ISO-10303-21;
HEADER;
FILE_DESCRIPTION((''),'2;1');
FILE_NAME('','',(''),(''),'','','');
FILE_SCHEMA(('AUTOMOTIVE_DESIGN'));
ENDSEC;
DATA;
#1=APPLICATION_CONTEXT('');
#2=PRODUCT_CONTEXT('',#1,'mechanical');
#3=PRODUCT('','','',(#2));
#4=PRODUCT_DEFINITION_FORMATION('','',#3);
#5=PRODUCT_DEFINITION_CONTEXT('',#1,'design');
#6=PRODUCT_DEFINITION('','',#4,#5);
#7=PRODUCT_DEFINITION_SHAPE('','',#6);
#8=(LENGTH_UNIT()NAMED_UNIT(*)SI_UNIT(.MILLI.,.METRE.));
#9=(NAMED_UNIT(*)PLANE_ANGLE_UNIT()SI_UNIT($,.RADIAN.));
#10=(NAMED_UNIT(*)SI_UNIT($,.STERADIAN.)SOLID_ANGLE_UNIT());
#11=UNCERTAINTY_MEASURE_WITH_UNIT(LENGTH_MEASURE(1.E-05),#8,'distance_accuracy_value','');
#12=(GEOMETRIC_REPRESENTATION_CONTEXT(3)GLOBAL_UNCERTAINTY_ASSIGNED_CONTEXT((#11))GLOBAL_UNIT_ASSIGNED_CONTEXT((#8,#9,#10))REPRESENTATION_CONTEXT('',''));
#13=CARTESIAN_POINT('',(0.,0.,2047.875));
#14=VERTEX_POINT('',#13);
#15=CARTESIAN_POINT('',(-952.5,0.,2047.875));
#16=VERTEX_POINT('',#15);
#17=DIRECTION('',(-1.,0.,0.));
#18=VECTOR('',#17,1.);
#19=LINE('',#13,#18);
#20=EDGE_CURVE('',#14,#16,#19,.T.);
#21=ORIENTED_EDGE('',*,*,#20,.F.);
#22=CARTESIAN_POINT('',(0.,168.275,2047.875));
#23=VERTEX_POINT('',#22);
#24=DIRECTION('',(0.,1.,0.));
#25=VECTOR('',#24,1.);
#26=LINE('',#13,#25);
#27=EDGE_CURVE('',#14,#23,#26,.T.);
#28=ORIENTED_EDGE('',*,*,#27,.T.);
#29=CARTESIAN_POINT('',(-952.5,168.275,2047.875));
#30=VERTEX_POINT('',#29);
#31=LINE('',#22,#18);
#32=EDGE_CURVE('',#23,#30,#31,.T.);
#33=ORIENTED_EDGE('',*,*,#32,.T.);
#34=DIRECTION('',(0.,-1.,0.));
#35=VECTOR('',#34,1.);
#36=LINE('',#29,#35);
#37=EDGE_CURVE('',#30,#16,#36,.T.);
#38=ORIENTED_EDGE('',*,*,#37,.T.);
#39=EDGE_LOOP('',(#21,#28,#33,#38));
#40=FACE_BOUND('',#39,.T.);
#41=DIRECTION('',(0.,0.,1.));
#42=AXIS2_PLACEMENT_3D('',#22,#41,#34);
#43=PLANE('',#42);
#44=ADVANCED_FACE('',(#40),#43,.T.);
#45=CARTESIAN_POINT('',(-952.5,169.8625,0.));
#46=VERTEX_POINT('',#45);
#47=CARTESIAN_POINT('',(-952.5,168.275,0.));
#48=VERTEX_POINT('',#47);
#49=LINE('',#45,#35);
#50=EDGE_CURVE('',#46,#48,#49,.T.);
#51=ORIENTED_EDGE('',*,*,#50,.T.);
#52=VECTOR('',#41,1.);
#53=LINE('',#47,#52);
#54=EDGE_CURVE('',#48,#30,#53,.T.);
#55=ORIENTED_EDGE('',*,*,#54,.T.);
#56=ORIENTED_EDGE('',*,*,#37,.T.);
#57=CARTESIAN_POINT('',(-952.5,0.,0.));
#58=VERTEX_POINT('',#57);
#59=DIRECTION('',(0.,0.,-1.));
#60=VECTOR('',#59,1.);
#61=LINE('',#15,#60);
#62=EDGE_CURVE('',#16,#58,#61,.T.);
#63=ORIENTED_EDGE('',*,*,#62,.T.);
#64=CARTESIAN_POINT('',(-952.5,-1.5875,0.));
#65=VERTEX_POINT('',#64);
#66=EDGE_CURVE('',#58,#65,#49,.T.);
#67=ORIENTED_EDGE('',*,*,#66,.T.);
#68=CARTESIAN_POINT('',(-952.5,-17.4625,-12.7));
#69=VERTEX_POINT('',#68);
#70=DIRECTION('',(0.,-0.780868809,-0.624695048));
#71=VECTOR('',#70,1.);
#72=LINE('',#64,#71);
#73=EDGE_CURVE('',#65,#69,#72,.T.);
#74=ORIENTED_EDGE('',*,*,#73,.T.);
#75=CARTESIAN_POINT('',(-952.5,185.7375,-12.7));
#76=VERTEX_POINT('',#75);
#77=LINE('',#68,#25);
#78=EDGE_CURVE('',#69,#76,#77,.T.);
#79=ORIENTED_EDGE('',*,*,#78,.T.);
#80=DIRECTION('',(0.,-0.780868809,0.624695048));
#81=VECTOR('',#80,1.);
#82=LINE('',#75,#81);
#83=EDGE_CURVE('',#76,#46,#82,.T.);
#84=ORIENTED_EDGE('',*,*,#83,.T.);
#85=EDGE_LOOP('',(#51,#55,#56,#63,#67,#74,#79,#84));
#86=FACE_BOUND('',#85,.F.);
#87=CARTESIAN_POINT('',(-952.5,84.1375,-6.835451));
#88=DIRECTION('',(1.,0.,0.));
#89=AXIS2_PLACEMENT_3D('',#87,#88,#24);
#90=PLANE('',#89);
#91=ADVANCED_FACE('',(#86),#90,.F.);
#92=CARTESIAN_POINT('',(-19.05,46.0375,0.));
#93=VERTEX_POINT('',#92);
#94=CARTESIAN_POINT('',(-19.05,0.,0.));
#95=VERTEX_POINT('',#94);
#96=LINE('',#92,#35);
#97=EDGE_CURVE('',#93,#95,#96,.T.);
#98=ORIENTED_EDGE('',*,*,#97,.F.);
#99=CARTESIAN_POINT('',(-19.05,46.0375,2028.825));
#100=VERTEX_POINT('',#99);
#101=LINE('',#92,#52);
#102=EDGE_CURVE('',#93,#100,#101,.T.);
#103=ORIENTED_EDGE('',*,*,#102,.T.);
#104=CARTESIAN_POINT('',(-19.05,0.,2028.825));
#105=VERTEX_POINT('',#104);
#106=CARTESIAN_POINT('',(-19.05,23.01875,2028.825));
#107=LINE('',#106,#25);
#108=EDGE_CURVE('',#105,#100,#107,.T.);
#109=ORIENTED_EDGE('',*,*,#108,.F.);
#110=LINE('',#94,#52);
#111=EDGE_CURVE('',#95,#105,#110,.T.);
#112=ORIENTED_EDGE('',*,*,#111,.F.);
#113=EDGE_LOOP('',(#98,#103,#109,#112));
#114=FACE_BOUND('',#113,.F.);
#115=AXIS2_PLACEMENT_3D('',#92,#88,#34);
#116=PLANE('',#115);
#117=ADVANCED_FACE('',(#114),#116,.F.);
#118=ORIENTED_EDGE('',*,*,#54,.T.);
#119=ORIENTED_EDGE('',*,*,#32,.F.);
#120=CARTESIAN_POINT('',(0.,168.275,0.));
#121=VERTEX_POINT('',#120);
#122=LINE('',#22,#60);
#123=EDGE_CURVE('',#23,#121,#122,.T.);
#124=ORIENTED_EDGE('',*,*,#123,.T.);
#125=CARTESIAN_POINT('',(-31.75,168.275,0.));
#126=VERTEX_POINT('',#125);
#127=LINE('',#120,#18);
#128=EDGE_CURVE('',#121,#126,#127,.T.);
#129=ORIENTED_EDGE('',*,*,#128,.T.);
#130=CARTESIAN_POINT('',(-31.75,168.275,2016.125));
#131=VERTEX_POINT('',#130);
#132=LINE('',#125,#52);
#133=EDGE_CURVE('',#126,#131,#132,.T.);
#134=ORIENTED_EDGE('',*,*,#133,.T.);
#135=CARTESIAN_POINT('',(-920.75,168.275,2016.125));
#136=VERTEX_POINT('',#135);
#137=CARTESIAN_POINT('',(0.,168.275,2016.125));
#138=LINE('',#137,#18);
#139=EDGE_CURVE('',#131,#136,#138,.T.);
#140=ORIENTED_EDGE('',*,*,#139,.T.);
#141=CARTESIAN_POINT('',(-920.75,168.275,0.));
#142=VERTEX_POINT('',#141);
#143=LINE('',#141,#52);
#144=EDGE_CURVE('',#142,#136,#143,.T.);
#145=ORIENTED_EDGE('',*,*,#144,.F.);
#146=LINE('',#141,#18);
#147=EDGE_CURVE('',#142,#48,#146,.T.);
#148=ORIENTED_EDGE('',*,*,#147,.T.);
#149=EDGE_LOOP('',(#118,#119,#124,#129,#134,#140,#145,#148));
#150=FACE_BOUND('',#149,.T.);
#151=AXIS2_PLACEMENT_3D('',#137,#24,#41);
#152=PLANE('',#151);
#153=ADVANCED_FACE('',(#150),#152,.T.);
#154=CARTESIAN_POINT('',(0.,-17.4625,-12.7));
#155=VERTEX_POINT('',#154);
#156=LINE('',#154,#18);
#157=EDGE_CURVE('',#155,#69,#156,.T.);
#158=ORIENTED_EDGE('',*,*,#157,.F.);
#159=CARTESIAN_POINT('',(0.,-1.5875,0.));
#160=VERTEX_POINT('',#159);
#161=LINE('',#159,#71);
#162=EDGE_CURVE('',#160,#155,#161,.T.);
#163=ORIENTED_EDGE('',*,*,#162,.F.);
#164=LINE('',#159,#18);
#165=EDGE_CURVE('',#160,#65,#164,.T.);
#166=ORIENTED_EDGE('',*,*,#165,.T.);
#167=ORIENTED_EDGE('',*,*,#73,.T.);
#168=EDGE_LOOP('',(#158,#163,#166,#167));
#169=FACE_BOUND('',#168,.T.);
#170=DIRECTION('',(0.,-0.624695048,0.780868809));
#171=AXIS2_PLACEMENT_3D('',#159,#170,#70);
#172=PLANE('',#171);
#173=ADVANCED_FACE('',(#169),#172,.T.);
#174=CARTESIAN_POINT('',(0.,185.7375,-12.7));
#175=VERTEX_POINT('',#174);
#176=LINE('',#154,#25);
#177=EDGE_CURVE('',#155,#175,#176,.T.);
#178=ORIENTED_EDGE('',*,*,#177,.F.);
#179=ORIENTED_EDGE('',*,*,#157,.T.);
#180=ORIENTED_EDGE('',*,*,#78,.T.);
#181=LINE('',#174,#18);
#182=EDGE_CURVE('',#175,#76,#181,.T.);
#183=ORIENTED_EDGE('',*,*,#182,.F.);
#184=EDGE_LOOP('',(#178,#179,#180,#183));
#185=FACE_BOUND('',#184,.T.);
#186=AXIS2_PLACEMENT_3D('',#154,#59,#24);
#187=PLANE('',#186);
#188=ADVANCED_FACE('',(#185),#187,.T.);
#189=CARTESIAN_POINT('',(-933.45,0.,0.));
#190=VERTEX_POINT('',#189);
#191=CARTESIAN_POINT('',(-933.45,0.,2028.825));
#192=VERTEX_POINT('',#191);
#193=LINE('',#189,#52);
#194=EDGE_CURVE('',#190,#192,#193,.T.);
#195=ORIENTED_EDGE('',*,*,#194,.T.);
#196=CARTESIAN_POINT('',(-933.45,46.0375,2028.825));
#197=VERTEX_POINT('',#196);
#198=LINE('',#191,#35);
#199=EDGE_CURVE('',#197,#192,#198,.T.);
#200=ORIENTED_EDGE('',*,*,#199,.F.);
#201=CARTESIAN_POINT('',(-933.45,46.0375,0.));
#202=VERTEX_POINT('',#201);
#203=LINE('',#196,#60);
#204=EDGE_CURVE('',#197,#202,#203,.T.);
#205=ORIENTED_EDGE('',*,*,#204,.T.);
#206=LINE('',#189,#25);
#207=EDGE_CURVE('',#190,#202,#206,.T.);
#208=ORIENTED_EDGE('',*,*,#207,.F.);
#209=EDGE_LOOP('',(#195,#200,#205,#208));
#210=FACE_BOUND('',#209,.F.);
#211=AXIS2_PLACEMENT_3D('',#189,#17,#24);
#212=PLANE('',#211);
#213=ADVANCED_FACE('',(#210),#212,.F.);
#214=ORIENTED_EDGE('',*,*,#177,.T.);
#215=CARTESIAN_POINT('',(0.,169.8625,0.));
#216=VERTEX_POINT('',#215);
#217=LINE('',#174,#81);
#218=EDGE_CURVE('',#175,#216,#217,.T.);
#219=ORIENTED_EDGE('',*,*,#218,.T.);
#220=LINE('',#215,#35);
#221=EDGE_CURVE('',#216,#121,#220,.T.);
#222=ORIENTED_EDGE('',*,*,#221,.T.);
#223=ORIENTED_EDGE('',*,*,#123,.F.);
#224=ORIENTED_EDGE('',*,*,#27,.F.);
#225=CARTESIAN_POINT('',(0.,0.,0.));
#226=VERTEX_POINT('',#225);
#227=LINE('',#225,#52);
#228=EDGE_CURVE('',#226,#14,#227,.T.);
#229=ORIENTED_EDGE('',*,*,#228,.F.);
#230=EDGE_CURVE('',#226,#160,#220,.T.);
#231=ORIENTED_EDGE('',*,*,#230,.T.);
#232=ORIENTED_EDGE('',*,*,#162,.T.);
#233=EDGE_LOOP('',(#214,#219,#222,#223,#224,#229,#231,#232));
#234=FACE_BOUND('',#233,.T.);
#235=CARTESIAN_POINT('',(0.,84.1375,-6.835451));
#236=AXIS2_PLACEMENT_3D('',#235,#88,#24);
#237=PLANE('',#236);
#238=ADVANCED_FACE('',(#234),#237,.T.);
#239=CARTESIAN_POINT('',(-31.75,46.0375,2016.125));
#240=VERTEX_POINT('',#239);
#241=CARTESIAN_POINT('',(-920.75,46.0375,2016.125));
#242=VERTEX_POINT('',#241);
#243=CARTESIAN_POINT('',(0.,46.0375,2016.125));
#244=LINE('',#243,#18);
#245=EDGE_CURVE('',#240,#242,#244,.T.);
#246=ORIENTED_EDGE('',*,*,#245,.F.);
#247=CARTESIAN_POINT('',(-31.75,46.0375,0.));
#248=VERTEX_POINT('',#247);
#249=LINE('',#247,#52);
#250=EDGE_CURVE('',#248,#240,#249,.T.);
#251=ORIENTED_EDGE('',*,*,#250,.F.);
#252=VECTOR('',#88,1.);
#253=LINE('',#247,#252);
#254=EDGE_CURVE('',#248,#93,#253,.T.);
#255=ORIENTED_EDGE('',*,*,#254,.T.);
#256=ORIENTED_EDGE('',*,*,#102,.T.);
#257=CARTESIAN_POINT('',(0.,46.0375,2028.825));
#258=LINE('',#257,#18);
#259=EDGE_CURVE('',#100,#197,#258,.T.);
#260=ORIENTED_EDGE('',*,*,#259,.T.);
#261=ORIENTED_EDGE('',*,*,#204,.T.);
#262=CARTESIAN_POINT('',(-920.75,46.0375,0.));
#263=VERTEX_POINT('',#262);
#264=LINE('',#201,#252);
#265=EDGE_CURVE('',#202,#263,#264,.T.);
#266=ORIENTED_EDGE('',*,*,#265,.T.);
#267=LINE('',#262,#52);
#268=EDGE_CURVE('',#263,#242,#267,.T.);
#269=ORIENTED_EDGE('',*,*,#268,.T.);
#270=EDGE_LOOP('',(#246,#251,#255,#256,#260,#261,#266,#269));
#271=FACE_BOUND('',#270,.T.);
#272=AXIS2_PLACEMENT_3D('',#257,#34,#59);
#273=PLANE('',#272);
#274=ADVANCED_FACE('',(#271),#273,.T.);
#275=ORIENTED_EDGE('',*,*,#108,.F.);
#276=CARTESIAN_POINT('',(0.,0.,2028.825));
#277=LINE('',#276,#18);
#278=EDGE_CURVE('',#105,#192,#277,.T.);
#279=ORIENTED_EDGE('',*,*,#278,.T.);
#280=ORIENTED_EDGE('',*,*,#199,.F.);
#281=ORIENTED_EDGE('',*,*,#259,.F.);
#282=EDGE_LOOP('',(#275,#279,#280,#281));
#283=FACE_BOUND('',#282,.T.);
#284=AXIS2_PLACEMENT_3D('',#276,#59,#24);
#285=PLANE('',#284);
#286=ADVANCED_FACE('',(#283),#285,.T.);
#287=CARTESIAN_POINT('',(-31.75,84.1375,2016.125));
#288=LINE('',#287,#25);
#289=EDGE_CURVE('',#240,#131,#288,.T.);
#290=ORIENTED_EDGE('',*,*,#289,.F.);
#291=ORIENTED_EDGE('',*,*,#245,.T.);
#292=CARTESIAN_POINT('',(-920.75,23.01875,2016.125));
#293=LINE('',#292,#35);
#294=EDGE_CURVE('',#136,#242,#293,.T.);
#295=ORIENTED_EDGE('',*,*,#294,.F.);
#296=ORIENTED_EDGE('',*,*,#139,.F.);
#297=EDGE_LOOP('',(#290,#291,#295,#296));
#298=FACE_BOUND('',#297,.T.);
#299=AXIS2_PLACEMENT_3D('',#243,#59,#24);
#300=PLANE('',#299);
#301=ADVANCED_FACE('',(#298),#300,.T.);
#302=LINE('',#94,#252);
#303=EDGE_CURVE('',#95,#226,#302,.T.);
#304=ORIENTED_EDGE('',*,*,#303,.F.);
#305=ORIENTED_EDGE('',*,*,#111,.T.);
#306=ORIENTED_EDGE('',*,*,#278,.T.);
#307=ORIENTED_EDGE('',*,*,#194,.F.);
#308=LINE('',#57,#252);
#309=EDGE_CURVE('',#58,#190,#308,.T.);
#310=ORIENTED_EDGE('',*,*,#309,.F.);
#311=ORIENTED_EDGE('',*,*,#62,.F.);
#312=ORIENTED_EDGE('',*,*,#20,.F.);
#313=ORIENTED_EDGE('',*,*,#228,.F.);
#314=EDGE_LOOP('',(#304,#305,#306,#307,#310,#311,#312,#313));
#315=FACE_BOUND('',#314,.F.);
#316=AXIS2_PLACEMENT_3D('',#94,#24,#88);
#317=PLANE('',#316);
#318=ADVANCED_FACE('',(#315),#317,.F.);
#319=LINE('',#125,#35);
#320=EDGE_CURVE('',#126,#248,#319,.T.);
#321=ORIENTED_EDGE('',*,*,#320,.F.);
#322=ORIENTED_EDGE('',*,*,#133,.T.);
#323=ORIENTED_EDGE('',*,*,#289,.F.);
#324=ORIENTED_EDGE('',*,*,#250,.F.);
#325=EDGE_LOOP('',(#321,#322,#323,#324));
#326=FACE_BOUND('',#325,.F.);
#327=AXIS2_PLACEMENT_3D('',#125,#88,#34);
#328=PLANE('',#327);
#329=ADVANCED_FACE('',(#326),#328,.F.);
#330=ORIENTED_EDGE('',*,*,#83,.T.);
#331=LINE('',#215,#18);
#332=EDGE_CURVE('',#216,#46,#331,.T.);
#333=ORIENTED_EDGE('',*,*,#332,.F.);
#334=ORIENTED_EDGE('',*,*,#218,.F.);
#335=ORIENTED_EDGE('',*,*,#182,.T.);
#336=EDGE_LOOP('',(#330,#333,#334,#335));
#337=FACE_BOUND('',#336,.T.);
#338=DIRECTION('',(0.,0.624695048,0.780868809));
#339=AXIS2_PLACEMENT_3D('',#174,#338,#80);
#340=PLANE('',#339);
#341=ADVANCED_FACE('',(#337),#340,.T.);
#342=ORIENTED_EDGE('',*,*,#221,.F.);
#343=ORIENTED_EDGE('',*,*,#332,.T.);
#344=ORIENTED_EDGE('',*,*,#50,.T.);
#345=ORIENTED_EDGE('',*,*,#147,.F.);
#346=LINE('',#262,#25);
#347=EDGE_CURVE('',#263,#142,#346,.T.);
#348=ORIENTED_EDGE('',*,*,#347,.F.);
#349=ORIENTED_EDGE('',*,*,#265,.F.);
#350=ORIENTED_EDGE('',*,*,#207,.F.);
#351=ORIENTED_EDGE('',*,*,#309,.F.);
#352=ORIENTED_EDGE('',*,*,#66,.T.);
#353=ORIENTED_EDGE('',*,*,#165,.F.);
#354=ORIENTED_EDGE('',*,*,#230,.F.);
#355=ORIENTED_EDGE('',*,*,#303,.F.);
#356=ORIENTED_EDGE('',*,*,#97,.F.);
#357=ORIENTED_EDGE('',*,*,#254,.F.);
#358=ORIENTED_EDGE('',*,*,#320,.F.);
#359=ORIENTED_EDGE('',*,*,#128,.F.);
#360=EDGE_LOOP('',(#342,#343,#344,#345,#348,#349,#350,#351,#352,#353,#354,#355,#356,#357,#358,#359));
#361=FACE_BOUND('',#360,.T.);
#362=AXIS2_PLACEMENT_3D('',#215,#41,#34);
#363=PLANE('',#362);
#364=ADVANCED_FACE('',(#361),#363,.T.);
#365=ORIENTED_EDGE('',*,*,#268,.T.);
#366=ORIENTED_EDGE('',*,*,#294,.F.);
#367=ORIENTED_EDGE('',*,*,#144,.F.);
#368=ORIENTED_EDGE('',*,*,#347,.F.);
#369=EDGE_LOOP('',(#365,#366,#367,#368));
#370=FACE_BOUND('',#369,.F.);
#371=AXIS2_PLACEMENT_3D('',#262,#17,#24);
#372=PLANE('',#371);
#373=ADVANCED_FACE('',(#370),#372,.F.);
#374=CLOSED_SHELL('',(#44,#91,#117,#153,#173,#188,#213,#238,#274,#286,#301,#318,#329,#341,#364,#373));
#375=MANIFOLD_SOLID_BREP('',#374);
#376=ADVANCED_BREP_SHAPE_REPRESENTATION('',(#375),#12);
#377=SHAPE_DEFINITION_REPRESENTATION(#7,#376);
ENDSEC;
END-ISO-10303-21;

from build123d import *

# Parameters (mm, degrees)
F1_DEPTH = 2047.875
F3_DEPTH = 168.276
F5_DEPTH = 952.5
F7_DEPTH = 952.5


with BuildPart() as f1:
    # F0 (on Top) → F1 (new body)
    with BuildSketch(Plane.XY):
        Polygon((-19.05, 0), (0, 0), (0, 168.275), (-31.75, 168.275), (-31.75, 46.0375), (-19.05, 46.0375), align=None)
        Polygon((-933.45, 0), (-933.45, 46.0375), (-920.75, 46.0375), (-920.75, 168.275), (-952.5, 168.275), (-952.5, 0), align=None)
    extrude(amount=F1_DEPTH)

    # F2 (on Front) → F3 (cut, through all)
    with BuildSketch(Plane.XZ):
        Polygon((0, 2047.875), (-952.5, 2047.875), (-476.25, 1571.625), align=None)
    extrude(amount=-F3_DEPTH, mode=Mode.SUBTRACT)

    # F4 (on Right) → F5 (join, through all)
    with BuildSketch(Plane.YZ):
        Polygon((46.0375, 2016.125), (168.275, 2016.125), (168.275, 2047.875), (0, 2047.875), (0, 2028.825), (46.0375, 2028.825), align=None)
    extrude(amount=-F5_DEPTH)

    # F6 (on Right) → F7 (join, through all)
    with BuildSketch(Plane.YZ):
        Polygon((-17.4625, -12.7), (84.1375, -12.7), (185.7375, -12.7), (169.8625, 0), (84.1375, 0), (-1.5875, 0), align=None)
    extrude(amount=-F7_DEPTH)


solid = f1.part
